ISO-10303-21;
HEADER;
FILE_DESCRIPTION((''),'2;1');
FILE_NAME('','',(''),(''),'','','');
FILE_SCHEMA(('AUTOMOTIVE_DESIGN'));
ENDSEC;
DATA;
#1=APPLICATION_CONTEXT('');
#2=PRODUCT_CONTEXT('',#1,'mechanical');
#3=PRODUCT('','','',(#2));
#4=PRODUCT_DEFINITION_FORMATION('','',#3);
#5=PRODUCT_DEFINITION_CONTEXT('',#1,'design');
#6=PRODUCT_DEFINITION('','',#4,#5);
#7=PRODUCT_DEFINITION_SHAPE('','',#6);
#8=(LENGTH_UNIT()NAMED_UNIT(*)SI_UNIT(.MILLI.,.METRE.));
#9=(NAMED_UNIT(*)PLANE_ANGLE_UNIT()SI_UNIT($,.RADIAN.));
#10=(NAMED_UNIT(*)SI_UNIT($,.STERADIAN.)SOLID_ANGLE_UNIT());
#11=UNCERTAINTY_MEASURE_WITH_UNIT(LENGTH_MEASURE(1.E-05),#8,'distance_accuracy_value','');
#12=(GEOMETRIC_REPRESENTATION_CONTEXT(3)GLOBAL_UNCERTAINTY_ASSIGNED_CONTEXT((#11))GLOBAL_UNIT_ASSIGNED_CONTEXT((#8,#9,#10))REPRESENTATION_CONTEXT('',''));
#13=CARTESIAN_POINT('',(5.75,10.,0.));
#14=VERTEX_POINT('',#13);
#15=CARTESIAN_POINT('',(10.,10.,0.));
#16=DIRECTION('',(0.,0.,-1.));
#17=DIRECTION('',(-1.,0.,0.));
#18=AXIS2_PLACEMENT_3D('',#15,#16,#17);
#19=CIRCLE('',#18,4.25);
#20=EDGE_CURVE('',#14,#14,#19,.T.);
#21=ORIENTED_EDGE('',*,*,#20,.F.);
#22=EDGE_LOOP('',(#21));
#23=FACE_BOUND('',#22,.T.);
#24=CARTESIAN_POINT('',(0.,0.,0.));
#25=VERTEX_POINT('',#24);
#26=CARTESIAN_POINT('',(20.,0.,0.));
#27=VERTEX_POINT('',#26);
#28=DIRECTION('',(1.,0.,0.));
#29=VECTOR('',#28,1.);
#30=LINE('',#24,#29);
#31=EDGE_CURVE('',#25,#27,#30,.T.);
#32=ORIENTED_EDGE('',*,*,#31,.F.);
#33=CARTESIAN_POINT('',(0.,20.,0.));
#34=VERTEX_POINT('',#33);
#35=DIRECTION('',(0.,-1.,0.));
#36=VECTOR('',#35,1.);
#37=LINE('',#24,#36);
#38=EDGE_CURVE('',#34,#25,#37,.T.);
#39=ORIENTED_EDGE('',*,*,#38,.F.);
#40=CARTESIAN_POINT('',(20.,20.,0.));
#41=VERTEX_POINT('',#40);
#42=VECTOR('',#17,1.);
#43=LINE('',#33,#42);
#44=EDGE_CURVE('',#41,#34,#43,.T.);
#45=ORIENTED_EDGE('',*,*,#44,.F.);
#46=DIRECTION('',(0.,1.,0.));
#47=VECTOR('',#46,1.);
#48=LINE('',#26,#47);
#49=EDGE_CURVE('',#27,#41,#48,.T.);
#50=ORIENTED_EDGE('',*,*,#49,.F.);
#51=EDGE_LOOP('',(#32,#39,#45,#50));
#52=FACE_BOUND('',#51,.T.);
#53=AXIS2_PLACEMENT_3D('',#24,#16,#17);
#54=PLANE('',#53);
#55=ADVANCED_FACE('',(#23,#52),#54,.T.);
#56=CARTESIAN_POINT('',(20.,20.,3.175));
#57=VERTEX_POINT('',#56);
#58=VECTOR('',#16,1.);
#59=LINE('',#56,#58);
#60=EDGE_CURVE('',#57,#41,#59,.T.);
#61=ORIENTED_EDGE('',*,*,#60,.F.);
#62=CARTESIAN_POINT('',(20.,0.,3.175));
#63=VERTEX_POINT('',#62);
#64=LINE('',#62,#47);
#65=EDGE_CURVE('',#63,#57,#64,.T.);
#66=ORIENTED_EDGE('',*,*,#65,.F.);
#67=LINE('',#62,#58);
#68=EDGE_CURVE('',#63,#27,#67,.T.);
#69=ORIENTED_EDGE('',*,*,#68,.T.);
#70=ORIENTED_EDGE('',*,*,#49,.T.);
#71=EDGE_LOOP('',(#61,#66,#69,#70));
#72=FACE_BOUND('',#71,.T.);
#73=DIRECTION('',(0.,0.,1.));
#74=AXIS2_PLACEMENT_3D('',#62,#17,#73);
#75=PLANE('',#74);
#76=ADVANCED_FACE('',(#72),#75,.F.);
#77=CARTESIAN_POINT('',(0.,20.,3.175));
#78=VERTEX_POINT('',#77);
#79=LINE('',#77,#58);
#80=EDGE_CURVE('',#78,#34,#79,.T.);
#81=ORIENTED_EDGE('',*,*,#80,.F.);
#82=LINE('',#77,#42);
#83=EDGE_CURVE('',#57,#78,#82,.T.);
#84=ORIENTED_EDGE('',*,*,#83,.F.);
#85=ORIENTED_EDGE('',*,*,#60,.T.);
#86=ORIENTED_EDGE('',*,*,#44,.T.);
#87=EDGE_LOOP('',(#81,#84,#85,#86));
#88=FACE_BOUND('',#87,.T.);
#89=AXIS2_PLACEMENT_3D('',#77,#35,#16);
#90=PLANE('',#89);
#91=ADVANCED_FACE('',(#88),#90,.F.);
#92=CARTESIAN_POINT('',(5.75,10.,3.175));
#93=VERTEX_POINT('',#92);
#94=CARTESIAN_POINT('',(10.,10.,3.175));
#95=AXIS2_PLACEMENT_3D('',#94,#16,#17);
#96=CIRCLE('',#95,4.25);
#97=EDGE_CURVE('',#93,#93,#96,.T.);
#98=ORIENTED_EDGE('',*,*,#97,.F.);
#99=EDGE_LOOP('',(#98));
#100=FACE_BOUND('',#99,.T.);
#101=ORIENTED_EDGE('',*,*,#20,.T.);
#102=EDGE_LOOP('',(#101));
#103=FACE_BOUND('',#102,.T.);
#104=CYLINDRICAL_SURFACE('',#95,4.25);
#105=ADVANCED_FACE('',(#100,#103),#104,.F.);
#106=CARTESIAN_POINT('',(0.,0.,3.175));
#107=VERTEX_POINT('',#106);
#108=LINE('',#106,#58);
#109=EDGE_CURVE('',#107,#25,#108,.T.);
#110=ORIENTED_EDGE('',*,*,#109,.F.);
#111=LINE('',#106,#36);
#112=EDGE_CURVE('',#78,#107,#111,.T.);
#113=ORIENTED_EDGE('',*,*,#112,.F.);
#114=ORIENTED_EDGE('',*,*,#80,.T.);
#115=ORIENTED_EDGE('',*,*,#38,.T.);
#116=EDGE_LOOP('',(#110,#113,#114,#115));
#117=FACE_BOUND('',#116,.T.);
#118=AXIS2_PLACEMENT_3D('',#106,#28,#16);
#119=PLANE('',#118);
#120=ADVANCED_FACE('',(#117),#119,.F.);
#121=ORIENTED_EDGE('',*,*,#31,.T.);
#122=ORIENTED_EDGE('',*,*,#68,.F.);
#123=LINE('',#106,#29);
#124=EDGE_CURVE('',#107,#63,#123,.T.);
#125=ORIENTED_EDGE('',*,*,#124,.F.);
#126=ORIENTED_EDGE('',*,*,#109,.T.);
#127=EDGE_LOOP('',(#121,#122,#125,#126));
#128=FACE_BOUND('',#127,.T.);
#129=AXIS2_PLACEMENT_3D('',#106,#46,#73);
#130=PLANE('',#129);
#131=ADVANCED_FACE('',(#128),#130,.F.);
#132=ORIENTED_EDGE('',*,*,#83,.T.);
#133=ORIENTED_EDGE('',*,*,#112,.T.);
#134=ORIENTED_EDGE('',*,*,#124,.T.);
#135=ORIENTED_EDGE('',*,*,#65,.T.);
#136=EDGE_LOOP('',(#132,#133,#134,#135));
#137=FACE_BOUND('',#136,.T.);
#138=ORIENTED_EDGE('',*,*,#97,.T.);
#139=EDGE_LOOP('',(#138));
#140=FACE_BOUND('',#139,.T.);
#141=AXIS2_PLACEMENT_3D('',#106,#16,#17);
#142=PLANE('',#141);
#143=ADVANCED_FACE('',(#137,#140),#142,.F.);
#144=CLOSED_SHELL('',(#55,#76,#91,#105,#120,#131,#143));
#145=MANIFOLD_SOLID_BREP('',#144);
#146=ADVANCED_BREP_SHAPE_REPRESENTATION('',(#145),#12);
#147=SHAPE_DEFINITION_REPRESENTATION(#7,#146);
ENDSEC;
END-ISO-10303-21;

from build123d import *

# Parameters (mm, degrees)
SKETCH1_W           = 20
SKETCH1_H           = 20
BOSS_EXTRUDE1_DEPTH = 3.175
SKETCH2_R           = 4.25
CUT_EXTRUDE1_DEPTH  = 3.175


with BuildPart() as part:
    # Sketch1 → Boss-Extrude1 (new body)
    with BuildSketch(Plane.XY):
        with Locations((10, 10)):
            Rectangle(SKETCH1_W, SKETCH1_H)
    extrude(amount=BOSS_EXTRUDE1_DEPTH)

    # Sketch2 → Cut-Extrude1 (cut)
    with BuildSketch(Plane(origin=(0, 0, 0), x_dir=(-1, 0, 0), z_dir=(0, 0, -1))):
        with Locations((-10, 10)):
            Circle(SKETCH2_R)
    extrude(amount=-CUT_EXTRUDE1_DEPTH, mode=Mode.SUBTRACT)


solid = part.part
